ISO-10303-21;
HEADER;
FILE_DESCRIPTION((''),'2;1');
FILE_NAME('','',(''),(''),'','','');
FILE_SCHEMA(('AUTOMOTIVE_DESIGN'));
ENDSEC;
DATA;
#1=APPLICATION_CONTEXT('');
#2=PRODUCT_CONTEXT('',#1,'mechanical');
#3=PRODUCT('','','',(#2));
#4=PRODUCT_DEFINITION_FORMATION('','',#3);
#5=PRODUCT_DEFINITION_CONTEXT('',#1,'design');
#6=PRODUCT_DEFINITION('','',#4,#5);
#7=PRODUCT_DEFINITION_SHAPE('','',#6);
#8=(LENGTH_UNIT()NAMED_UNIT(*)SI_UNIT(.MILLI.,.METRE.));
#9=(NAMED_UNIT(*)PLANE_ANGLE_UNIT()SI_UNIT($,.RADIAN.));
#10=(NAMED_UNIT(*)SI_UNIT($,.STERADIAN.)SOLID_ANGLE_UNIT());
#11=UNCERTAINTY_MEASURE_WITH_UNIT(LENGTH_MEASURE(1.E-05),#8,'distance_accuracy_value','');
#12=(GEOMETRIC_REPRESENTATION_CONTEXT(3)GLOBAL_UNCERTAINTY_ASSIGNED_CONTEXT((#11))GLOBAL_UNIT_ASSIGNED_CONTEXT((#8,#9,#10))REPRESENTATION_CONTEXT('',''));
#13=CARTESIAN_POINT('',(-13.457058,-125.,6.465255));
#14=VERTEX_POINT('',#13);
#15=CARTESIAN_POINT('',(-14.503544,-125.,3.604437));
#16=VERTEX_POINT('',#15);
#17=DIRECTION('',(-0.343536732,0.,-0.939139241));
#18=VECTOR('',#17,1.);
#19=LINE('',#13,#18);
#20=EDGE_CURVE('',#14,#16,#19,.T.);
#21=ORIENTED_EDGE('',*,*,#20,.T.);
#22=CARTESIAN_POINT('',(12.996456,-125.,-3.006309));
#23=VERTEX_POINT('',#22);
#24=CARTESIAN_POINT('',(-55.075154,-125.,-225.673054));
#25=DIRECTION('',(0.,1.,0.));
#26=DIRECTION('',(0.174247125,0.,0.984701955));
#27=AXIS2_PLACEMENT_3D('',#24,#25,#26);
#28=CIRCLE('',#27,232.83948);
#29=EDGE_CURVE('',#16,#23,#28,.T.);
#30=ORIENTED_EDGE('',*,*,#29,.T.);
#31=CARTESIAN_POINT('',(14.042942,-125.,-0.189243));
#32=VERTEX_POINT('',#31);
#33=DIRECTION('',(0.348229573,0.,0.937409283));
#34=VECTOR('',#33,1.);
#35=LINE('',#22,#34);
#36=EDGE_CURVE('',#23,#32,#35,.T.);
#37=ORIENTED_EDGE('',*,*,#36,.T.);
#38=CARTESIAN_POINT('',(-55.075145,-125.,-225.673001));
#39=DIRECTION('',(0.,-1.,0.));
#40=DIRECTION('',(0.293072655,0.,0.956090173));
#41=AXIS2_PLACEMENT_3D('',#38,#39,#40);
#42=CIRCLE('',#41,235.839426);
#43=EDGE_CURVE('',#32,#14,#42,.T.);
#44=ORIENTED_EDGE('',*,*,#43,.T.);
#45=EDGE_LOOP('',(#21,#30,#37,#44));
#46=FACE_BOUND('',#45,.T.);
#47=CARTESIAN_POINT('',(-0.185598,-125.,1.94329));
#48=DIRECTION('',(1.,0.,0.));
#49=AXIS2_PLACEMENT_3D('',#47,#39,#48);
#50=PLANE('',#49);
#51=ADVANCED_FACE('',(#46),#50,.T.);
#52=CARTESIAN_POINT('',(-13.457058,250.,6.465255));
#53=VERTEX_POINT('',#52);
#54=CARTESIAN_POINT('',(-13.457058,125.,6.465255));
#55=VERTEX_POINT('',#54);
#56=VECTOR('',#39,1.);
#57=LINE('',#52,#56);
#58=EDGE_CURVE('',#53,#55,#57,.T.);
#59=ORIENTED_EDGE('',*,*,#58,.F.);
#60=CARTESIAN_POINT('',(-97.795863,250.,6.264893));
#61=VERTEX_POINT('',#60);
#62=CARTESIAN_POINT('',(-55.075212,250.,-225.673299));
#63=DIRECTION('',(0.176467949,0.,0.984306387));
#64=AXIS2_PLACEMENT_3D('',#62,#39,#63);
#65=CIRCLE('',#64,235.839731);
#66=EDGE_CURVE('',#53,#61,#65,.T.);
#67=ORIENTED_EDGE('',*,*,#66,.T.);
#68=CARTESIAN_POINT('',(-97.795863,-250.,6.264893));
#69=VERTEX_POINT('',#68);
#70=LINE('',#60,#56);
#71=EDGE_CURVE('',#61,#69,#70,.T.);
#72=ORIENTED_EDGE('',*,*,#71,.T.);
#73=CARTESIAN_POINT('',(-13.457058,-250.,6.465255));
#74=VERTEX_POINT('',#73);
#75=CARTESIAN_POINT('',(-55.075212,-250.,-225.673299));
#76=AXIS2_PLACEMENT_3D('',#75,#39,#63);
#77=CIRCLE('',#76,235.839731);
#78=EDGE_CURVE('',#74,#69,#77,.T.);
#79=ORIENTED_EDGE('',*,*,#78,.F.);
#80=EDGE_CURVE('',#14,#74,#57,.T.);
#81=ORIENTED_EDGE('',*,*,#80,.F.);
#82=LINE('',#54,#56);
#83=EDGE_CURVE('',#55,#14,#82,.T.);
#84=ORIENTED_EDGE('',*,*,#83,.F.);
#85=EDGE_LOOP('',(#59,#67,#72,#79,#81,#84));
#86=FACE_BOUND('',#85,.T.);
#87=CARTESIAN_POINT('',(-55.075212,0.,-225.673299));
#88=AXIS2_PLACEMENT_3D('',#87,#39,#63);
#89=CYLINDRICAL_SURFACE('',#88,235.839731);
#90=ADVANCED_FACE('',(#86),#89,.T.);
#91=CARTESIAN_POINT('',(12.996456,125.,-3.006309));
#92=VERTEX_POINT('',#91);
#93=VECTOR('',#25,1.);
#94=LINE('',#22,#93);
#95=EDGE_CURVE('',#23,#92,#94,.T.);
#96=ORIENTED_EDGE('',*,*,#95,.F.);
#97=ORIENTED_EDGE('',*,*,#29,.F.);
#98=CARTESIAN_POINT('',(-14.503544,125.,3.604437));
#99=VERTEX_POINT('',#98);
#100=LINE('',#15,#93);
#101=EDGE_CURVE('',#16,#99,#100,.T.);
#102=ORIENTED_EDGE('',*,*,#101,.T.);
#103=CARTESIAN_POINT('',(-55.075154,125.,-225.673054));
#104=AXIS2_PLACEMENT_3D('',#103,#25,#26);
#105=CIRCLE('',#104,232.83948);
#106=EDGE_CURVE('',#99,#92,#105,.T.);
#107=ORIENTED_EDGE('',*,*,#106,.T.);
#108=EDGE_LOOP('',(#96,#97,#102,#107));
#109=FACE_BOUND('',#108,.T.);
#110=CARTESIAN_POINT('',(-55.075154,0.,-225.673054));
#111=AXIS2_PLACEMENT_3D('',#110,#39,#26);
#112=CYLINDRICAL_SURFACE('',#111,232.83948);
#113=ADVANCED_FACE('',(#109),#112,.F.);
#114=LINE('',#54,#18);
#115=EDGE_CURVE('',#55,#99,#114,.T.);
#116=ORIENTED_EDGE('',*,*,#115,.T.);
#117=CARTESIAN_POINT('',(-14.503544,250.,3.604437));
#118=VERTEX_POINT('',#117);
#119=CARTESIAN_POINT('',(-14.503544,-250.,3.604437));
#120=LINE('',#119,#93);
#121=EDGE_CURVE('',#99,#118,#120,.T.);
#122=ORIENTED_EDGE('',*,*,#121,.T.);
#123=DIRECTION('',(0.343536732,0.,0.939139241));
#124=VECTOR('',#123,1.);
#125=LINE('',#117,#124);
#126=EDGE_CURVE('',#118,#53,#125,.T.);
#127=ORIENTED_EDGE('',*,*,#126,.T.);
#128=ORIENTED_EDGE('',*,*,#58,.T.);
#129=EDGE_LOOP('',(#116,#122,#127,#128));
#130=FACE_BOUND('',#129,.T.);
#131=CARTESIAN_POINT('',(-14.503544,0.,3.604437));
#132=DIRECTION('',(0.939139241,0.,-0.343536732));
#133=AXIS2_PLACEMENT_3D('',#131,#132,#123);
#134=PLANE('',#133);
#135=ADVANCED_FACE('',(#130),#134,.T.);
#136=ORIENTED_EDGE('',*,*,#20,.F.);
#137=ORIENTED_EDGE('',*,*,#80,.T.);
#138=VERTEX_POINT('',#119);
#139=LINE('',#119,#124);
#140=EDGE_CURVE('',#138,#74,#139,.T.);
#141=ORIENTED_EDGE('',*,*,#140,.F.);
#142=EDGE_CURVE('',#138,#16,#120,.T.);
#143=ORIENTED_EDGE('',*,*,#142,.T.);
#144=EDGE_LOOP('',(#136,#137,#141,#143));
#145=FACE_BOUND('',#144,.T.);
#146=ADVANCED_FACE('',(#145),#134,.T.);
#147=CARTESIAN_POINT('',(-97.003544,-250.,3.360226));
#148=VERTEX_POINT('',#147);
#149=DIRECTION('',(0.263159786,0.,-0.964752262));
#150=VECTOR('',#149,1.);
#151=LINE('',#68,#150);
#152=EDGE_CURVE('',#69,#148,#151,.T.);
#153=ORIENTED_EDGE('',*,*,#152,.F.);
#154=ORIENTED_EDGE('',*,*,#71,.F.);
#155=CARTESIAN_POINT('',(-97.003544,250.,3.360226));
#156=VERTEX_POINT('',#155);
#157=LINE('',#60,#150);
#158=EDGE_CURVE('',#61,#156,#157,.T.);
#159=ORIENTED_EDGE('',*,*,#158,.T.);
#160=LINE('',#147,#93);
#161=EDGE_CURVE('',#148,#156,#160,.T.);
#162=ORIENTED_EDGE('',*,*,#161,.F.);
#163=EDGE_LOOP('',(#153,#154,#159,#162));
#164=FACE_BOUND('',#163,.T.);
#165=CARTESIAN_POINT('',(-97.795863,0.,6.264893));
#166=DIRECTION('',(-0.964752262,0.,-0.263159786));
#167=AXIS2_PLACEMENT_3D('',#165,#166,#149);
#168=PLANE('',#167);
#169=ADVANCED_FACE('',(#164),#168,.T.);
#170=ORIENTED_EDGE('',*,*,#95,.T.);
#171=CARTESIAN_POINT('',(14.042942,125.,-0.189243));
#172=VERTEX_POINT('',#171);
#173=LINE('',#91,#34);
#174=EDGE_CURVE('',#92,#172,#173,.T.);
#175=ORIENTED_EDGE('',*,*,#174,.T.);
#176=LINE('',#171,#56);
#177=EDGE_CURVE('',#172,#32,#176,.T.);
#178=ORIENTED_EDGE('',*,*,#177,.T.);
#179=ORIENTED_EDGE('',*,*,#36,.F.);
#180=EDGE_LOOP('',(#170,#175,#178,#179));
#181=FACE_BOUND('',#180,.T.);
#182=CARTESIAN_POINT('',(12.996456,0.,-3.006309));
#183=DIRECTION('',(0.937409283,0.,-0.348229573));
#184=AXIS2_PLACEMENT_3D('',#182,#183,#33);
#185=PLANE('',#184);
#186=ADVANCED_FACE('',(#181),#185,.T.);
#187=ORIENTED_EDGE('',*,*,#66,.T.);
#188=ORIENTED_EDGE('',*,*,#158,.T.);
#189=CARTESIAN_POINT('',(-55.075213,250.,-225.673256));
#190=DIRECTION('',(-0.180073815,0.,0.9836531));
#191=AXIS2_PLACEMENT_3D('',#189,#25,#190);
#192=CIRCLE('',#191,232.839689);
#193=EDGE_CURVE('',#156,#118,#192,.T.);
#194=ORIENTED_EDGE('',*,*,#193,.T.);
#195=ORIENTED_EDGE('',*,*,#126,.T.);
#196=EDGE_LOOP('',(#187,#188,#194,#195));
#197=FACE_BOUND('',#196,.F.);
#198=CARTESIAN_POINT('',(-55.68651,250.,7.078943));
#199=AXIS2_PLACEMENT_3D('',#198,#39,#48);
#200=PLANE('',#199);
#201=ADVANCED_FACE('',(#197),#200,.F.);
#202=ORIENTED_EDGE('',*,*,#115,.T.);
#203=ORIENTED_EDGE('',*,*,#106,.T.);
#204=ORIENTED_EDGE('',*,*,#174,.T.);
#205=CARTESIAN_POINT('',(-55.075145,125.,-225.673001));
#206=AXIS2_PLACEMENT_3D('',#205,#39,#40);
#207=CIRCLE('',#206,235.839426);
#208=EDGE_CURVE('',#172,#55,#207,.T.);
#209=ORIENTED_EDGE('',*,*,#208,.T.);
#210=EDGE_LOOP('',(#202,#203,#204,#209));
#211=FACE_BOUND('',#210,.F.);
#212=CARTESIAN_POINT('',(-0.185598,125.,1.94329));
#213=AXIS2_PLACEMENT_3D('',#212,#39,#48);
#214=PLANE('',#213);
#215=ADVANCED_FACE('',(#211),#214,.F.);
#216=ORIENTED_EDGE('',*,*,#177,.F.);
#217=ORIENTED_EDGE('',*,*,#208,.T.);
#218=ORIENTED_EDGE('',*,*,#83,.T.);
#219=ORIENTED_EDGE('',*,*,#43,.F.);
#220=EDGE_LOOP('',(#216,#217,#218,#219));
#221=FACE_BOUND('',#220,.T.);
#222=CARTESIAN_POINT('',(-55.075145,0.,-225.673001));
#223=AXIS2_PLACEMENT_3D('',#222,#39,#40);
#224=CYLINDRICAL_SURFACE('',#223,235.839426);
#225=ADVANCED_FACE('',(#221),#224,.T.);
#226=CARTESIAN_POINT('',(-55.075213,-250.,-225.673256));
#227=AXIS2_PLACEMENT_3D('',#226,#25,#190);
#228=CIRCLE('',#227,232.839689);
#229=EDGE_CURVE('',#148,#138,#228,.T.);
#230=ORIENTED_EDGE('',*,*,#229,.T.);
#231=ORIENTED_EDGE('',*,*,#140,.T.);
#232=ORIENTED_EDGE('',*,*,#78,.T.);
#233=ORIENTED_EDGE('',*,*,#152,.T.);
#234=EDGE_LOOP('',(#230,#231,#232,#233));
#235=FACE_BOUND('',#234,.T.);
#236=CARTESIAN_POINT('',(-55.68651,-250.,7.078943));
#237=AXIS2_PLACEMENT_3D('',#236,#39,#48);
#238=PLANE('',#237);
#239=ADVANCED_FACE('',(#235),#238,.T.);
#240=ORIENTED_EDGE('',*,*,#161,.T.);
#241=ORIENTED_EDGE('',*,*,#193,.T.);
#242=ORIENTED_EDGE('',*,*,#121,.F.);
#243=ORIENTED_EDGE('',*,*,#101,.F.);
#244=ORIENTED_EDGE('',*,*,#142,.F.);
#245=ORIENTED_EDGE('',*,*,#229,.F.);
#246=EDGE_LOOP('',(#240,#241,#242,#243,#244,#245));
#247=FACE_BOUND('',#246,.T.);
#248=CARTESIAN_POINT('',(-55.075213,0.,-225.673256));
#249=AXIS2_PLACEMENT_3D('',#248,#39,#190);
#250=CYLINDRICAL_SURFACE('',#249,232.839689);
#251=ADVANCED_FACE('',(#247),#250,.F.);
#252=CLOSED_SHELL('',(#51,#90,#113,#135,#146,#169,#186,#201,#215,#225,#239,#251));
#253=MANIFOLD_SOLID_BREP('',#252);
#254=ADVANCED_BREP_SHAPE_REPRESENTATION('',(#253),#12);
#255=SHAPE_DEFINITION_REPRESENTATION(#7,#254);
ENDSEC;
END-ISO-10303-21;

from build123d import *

# Parameters (mm, degrees)
F1_DEPTH = 250
F2_DEPTH = 125


with BuildPart() as f1:
    # F0 (on Front) → F1 (new body, symmetric)
    with BuildSketch(Plane.XZ):
        with BuildLine():
            Line((-14.503544, 3.604437), (-13.457058, 6.465255))
            ThreePointArc((-13.457058, 6.465255), (-55.63549, 10.165767), (-97.795863, 6.264893))
            Line((-97.795863, 6.264893), (-97.003544, 3.360226))
            ThreePointArc((-97.003544, 3.360226), (-55.764447, 7.165413), (-14.503544, 3.604437))
        make_face()
    extrude(amount=F1_DEPTH, both=True)

    # F0 (on Front) → F2 (join, symmetric)
    with BuildSketch(Plane.XZ):
        with BuildLine():
            Line((12.996456, -3.006309), (14.042942, -0.189243))
            ThreePointArc((14.042942, -0.189243), (0.392824, 3.550775), (-13.457058, 6.465255))
            Line((-13.457058, 6.465255), (-14.503544, 3.604437))
            ThreePointArc((-14.503544, 3.604437), (-0.653074, 0.717009), (12.996456, -3.006309))
        make_face()
    extrude(amount=F2_DEPTH, both=True)


solid = f1.part
